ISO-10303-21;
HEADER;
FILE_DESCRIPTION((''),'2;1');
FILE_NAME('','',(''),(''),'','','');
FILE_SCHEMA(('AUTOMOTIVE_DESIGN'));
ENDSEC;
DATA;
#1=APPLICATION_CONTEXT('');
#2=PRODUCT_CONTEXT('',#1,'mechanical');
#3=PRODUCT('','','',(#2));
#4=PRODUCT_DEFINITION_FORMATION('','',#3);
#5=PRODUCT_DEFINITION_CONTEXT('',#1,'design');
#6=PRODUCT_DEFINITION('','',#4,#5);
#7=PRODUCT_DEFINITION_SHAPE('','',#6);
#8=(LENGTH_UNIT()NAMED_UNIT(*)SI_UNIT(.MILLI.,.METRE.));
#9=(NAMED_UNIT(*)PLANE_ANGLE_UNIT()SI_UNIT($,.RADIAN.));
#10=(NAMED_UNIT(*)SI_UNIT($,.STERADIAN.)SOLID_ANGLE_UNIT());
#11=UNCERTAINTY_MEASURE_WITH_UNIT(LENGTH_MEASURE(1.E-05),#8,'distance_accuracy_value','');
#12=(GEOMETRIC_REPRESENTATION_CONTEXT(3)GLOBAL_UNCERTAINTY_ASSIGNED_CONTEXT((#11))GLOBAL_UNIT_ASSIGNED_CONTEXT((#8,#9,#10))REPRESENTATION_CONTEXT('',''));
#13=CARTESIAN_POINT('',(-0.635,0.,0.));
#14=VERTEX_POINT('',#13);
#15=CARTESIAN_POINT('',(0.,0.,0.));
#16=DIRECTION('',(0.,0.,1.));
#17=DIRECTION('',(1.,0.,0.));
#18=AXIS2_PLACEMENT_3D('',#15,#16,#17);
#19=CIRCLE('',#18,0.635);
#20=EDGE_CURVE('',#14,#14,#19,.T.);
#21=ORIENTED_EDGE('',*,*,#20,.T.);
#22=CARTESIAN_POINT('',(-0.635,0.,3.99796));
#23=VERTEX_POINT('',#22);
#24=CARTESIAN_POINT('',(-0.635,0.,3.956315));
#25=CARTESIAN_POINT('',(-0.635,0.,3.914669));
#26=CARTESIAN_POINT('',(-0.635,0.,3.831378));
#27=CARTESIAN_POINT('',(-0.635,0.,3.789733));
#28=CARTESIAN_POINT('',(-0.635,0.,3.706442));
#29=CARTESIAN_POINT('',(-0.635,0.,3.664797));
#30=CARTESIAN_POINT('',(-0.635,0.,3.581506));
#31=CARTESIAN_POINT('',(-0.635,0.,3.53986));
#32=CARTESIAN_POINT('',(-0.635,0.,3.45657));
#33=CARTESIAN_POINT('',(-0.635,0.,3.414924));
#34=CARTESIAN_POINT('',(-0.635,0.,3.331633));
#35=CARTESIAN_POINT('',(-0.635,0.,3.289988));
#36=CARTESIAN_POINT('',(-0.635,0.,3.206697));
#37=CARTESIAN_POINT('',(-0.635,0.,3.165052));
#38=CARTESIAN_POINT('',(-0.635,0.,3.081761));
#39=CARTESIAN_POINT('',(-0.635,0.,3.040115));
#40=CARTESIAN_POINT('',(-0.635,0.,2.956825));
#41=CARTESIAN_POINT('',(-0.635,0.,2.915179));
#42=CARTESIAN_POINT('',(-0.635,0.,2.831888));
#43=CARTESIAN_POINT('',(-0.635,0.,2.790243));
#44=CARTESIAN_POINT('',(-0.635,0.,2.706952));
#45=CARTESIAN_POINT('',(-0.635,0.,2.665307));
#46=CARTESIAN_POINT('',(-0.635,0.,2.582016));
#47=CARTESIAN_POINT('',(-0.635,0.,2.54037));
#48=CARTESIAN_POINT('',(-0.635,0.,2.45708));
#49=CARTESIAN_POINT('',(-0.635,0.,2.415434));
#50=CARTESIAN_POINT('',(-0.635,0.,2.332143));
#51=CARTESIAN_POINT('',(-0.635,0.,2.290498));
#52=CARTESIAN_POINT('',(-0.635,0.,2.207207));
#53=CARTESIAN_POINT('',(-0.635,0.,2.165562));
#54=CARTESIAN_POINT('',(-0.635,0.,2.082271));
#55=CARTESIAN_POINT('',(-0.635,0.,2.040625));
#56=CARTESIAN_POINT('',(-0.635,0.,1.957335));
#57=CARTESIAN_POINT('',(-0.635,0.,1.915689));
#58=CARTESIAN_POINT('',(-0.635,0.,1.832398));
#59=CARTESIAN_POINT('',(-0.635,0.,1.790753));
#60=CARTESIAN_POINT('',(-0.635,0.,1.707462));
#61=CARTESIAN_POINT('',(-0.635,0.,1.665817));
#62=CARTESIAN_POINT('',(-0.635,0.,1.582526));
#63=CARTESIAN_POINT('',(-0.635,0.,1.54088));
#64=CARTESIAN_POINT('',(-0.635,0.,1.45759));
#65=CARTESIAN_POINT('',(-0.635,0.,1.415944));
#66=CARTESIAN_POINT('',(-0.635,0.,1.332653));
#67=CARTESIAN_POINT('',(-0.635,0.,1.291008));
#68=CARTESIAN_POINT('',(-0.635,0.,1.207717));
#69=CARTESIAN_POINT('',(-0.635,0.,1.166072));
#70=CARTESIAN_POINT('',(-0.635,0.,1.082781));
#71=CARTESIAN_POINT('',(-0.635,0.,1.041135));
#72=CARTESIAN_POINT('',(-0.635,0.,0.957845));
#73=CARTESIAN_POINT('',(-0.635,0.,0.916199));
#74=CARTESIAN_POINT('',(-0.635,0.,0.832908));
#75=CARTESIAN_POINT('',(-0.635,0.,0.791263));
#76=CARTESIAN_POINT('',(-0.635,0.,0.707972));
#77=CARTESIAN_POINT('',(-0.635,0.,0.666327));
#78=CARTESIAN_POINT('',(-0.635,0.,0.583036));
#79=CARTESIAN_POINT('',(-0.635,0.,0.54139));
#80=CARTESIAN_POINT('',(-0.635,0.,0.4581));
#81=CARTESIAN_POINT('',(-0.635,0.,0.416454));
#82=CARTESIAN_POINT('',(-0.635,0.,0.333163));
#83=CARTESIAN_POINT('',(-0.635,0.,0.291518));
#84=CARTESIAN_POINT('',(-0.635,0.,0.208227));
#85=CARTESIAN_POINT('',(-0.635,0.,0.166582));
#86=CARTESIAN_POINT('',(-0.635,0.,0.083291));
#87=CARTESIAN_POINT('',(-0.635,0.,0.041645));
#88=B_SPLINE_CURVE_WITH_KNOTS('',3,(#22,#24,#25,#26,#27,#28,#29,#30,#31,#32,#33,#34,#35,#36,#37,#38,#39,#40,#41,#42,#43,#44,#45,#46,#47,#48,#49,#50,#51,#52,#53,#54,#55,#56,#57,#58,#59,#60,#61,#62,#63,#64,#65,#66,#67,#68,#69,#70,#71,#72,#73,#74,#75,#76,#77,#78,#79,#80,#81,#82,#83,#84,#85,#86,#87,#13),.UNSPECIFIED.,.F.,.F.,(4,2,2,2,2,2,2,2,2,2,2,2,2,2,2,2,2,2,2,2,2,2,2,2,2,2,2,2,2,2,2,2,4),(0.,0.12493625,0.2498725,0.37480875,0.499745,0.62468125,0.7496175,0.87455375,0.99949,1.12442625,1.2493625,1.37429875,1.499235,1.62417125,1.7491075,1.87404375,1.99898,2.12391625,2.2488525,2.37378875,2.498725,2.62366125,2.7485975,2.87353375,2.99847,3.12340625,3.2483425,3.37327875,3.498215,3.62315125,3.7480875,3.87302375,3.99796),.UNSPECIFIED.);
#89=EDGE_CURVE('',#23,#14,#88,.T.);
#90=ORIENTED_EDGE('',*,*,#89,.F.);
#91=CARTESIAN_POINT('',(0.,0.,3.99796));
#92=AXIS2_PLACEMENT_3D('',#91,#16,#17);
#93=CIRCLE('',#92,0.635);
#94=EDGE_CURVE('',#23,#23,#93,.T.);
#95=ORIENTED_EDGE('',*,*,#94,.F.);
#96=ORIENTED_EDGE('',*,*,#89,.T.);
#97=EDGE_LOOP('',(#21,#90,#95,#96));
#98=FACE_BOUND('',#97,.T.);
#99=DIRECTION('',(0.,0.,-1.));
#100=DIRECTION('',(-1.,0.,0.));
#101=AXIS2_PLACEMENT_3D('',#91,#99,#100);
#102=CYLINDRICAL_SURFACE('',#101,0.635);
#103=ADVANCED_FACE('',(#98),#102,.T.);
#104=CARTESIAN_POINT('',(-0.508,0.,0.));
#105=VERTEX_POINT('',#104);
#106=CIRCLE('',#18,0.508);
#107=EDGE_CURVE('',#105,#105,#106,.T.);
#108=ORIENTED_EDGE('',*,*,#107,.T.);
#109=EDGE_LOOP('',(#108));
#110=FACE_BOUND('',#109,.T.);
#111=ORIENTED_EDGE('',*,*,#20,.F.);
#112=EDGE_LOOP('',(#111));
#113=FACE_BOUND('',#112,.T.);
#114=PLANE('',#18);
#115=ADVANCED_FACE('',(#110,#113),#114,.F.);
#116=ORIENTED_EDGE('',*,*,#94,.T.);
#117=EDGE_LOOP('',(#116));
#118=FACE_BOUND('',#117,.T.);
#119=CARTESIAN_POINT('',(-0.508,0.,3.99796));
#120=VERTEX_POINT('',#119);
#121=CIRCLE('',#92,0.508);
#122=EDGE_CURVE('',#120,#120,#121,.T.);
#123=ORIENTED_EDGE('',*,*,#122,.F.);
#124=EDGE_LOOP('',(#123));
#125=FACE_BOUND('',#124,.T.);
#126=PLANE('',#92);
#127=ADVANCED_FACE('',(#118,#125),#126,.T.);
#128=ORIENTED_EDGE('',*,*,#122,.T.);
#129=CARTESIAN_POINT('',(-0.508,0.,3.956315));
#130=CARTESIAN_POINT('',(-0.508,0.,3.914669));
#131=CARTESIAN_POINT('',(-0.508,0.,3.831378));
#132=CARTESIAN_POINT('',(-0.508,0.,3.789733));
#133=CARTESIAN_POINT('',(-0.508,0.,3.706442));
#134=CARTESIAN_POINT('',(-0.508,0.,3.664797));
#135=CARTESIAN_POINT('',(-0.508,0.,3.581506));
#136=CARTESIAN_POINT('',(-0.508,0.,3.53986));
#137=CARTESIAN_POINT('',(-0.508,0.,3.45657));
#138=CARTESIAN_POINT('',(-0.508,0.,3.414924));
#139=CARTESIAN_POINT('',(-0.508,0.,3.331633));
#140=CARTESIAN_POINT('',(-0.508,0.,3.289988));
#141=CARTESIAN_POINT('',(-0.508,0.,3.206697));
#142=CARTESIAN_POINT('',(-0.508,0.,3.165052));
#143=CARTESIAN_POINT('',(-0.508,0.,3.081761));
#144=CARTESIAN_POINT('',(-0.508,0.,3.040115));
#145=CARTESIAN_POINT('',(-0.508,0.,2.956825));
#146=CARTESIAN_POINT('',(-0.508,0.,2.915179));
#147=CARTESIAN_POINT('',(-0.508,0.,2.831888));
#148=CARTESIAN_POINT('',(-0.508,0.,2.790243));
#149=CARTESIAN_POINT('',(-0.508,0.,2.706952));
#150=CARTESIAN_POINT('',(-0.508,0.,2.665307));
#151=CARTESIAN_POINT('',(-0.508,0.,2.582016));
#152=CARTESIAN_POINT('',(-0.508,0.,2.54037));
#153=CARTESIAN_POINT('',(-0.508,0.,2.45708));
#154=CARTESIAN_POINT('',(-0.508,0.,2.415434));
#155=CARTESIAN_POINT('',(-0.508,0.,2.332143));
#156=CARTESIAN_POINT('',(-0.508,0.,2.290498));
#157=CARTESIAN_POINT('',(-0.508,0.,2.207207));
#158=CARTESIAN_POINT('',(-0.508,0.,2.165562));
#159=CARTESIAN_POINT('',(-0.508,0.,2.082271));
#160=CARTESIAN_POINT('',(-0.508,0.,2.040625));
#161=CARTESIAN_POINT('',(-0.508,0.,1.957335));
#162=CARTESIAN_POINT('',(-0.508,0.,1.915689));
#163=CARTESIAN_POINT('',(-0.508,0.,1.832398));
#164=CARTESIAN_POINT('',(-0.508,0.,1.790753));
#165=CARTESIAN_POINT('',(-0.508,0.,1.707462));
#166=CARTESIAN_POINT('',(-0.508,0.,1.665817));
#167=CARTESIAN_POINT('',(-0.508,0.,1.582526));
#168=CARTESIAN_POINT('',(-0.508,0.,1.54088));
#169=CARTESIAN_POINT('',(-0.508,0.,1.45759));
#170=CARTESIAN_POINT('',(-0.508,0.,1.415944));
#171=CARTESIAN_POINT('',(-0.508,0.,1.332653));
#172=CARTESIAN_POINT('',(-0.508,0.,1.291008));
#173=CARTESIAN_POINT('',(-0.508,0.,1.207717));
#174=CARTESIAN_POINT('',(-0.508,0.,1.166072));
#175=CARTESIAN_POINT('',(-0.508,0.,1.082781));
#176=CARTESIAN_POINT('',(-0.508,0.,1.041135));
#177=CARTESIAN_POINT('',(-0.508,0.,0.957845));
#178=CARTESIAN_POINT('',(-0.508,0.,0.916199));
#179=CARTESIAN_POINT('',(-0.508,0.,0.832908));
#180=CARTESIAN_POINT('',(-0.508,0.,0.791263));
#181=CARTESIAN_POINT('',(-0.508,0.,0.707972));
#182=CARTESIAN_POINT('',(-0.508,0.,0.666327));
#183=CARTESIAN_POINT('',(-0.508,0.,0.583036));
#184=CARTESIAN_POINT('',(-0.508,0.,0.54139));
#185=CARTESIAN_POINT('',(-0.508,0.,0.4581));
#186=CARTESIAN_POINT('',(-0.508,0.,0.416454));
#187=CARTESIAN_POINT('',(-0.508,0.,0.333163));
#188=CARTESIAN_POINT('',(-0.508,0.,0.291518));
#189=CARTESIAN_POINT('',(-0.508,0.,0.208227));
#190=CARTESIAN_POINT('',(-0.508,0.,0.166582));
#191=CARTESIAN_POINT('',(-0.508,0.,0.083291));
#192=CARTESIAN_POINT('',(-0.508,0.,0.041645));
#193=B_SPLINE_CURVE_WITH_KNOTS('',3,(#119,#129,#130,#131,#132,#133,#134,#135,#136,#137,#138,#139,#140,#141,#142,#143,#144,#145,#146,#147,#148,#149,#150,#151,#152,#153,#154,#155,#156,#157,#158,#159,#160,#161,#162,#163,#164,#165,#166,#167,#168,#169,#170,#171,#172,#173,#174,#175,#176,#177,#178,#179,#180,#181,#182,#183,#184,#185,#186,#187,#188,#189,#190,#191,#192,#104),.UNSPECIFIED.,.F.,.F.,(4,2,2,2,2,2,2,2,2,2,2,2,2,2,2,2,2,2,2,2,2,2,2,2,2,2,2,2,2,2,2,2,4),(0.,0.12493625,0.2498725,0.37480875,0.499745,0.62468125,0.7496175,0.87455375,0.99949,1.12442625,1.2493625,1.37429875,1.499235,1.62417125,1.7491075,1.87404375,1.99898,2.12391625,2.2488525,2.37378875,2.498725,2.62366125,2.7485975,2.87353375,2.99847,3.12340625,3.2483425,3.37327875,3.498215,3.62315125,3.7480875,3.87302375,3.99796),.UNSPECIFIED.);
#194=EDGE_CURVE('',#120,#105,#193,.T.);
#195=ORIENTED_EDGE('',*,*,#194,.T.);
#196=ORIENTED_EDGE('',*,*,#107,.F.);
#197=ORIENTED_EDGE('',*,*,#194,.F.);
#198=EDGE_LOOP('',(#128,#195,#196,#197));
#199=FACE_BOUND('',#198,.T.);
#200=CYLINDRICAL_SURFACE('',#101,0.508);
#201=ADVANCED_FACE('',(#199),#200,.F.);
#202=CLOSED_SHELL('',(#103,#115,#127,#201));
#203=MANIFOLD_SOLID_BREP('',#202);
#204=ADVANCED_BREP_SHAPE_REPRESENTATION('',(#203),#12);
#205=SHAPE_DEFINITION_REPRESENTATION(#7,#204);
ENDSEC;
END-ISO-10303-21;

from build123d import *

# Parameters (mm, degrees)
SKETCH1_R      = 0.635
SKETCH1_R_2    = 0.508
EXTRUDE1_DEPTH = 3.99796


with BuildPart() as part:
    # Sketch1 → Extrude1 (new body)
    with BuildSketch(Plane.XY):
        with Locations(Location((0, 0, 0), (0, 0, 180))):
            Circle(SKETCH1_R)
        with Locations(Location((0, 0, 0), (0, 0, 180))):
            Circle(SKETCH1_R_2, mode=Mode.SUBTRACT)
    extrude(amount=EXTRUDE1_DEPTH)


solid = part.part
